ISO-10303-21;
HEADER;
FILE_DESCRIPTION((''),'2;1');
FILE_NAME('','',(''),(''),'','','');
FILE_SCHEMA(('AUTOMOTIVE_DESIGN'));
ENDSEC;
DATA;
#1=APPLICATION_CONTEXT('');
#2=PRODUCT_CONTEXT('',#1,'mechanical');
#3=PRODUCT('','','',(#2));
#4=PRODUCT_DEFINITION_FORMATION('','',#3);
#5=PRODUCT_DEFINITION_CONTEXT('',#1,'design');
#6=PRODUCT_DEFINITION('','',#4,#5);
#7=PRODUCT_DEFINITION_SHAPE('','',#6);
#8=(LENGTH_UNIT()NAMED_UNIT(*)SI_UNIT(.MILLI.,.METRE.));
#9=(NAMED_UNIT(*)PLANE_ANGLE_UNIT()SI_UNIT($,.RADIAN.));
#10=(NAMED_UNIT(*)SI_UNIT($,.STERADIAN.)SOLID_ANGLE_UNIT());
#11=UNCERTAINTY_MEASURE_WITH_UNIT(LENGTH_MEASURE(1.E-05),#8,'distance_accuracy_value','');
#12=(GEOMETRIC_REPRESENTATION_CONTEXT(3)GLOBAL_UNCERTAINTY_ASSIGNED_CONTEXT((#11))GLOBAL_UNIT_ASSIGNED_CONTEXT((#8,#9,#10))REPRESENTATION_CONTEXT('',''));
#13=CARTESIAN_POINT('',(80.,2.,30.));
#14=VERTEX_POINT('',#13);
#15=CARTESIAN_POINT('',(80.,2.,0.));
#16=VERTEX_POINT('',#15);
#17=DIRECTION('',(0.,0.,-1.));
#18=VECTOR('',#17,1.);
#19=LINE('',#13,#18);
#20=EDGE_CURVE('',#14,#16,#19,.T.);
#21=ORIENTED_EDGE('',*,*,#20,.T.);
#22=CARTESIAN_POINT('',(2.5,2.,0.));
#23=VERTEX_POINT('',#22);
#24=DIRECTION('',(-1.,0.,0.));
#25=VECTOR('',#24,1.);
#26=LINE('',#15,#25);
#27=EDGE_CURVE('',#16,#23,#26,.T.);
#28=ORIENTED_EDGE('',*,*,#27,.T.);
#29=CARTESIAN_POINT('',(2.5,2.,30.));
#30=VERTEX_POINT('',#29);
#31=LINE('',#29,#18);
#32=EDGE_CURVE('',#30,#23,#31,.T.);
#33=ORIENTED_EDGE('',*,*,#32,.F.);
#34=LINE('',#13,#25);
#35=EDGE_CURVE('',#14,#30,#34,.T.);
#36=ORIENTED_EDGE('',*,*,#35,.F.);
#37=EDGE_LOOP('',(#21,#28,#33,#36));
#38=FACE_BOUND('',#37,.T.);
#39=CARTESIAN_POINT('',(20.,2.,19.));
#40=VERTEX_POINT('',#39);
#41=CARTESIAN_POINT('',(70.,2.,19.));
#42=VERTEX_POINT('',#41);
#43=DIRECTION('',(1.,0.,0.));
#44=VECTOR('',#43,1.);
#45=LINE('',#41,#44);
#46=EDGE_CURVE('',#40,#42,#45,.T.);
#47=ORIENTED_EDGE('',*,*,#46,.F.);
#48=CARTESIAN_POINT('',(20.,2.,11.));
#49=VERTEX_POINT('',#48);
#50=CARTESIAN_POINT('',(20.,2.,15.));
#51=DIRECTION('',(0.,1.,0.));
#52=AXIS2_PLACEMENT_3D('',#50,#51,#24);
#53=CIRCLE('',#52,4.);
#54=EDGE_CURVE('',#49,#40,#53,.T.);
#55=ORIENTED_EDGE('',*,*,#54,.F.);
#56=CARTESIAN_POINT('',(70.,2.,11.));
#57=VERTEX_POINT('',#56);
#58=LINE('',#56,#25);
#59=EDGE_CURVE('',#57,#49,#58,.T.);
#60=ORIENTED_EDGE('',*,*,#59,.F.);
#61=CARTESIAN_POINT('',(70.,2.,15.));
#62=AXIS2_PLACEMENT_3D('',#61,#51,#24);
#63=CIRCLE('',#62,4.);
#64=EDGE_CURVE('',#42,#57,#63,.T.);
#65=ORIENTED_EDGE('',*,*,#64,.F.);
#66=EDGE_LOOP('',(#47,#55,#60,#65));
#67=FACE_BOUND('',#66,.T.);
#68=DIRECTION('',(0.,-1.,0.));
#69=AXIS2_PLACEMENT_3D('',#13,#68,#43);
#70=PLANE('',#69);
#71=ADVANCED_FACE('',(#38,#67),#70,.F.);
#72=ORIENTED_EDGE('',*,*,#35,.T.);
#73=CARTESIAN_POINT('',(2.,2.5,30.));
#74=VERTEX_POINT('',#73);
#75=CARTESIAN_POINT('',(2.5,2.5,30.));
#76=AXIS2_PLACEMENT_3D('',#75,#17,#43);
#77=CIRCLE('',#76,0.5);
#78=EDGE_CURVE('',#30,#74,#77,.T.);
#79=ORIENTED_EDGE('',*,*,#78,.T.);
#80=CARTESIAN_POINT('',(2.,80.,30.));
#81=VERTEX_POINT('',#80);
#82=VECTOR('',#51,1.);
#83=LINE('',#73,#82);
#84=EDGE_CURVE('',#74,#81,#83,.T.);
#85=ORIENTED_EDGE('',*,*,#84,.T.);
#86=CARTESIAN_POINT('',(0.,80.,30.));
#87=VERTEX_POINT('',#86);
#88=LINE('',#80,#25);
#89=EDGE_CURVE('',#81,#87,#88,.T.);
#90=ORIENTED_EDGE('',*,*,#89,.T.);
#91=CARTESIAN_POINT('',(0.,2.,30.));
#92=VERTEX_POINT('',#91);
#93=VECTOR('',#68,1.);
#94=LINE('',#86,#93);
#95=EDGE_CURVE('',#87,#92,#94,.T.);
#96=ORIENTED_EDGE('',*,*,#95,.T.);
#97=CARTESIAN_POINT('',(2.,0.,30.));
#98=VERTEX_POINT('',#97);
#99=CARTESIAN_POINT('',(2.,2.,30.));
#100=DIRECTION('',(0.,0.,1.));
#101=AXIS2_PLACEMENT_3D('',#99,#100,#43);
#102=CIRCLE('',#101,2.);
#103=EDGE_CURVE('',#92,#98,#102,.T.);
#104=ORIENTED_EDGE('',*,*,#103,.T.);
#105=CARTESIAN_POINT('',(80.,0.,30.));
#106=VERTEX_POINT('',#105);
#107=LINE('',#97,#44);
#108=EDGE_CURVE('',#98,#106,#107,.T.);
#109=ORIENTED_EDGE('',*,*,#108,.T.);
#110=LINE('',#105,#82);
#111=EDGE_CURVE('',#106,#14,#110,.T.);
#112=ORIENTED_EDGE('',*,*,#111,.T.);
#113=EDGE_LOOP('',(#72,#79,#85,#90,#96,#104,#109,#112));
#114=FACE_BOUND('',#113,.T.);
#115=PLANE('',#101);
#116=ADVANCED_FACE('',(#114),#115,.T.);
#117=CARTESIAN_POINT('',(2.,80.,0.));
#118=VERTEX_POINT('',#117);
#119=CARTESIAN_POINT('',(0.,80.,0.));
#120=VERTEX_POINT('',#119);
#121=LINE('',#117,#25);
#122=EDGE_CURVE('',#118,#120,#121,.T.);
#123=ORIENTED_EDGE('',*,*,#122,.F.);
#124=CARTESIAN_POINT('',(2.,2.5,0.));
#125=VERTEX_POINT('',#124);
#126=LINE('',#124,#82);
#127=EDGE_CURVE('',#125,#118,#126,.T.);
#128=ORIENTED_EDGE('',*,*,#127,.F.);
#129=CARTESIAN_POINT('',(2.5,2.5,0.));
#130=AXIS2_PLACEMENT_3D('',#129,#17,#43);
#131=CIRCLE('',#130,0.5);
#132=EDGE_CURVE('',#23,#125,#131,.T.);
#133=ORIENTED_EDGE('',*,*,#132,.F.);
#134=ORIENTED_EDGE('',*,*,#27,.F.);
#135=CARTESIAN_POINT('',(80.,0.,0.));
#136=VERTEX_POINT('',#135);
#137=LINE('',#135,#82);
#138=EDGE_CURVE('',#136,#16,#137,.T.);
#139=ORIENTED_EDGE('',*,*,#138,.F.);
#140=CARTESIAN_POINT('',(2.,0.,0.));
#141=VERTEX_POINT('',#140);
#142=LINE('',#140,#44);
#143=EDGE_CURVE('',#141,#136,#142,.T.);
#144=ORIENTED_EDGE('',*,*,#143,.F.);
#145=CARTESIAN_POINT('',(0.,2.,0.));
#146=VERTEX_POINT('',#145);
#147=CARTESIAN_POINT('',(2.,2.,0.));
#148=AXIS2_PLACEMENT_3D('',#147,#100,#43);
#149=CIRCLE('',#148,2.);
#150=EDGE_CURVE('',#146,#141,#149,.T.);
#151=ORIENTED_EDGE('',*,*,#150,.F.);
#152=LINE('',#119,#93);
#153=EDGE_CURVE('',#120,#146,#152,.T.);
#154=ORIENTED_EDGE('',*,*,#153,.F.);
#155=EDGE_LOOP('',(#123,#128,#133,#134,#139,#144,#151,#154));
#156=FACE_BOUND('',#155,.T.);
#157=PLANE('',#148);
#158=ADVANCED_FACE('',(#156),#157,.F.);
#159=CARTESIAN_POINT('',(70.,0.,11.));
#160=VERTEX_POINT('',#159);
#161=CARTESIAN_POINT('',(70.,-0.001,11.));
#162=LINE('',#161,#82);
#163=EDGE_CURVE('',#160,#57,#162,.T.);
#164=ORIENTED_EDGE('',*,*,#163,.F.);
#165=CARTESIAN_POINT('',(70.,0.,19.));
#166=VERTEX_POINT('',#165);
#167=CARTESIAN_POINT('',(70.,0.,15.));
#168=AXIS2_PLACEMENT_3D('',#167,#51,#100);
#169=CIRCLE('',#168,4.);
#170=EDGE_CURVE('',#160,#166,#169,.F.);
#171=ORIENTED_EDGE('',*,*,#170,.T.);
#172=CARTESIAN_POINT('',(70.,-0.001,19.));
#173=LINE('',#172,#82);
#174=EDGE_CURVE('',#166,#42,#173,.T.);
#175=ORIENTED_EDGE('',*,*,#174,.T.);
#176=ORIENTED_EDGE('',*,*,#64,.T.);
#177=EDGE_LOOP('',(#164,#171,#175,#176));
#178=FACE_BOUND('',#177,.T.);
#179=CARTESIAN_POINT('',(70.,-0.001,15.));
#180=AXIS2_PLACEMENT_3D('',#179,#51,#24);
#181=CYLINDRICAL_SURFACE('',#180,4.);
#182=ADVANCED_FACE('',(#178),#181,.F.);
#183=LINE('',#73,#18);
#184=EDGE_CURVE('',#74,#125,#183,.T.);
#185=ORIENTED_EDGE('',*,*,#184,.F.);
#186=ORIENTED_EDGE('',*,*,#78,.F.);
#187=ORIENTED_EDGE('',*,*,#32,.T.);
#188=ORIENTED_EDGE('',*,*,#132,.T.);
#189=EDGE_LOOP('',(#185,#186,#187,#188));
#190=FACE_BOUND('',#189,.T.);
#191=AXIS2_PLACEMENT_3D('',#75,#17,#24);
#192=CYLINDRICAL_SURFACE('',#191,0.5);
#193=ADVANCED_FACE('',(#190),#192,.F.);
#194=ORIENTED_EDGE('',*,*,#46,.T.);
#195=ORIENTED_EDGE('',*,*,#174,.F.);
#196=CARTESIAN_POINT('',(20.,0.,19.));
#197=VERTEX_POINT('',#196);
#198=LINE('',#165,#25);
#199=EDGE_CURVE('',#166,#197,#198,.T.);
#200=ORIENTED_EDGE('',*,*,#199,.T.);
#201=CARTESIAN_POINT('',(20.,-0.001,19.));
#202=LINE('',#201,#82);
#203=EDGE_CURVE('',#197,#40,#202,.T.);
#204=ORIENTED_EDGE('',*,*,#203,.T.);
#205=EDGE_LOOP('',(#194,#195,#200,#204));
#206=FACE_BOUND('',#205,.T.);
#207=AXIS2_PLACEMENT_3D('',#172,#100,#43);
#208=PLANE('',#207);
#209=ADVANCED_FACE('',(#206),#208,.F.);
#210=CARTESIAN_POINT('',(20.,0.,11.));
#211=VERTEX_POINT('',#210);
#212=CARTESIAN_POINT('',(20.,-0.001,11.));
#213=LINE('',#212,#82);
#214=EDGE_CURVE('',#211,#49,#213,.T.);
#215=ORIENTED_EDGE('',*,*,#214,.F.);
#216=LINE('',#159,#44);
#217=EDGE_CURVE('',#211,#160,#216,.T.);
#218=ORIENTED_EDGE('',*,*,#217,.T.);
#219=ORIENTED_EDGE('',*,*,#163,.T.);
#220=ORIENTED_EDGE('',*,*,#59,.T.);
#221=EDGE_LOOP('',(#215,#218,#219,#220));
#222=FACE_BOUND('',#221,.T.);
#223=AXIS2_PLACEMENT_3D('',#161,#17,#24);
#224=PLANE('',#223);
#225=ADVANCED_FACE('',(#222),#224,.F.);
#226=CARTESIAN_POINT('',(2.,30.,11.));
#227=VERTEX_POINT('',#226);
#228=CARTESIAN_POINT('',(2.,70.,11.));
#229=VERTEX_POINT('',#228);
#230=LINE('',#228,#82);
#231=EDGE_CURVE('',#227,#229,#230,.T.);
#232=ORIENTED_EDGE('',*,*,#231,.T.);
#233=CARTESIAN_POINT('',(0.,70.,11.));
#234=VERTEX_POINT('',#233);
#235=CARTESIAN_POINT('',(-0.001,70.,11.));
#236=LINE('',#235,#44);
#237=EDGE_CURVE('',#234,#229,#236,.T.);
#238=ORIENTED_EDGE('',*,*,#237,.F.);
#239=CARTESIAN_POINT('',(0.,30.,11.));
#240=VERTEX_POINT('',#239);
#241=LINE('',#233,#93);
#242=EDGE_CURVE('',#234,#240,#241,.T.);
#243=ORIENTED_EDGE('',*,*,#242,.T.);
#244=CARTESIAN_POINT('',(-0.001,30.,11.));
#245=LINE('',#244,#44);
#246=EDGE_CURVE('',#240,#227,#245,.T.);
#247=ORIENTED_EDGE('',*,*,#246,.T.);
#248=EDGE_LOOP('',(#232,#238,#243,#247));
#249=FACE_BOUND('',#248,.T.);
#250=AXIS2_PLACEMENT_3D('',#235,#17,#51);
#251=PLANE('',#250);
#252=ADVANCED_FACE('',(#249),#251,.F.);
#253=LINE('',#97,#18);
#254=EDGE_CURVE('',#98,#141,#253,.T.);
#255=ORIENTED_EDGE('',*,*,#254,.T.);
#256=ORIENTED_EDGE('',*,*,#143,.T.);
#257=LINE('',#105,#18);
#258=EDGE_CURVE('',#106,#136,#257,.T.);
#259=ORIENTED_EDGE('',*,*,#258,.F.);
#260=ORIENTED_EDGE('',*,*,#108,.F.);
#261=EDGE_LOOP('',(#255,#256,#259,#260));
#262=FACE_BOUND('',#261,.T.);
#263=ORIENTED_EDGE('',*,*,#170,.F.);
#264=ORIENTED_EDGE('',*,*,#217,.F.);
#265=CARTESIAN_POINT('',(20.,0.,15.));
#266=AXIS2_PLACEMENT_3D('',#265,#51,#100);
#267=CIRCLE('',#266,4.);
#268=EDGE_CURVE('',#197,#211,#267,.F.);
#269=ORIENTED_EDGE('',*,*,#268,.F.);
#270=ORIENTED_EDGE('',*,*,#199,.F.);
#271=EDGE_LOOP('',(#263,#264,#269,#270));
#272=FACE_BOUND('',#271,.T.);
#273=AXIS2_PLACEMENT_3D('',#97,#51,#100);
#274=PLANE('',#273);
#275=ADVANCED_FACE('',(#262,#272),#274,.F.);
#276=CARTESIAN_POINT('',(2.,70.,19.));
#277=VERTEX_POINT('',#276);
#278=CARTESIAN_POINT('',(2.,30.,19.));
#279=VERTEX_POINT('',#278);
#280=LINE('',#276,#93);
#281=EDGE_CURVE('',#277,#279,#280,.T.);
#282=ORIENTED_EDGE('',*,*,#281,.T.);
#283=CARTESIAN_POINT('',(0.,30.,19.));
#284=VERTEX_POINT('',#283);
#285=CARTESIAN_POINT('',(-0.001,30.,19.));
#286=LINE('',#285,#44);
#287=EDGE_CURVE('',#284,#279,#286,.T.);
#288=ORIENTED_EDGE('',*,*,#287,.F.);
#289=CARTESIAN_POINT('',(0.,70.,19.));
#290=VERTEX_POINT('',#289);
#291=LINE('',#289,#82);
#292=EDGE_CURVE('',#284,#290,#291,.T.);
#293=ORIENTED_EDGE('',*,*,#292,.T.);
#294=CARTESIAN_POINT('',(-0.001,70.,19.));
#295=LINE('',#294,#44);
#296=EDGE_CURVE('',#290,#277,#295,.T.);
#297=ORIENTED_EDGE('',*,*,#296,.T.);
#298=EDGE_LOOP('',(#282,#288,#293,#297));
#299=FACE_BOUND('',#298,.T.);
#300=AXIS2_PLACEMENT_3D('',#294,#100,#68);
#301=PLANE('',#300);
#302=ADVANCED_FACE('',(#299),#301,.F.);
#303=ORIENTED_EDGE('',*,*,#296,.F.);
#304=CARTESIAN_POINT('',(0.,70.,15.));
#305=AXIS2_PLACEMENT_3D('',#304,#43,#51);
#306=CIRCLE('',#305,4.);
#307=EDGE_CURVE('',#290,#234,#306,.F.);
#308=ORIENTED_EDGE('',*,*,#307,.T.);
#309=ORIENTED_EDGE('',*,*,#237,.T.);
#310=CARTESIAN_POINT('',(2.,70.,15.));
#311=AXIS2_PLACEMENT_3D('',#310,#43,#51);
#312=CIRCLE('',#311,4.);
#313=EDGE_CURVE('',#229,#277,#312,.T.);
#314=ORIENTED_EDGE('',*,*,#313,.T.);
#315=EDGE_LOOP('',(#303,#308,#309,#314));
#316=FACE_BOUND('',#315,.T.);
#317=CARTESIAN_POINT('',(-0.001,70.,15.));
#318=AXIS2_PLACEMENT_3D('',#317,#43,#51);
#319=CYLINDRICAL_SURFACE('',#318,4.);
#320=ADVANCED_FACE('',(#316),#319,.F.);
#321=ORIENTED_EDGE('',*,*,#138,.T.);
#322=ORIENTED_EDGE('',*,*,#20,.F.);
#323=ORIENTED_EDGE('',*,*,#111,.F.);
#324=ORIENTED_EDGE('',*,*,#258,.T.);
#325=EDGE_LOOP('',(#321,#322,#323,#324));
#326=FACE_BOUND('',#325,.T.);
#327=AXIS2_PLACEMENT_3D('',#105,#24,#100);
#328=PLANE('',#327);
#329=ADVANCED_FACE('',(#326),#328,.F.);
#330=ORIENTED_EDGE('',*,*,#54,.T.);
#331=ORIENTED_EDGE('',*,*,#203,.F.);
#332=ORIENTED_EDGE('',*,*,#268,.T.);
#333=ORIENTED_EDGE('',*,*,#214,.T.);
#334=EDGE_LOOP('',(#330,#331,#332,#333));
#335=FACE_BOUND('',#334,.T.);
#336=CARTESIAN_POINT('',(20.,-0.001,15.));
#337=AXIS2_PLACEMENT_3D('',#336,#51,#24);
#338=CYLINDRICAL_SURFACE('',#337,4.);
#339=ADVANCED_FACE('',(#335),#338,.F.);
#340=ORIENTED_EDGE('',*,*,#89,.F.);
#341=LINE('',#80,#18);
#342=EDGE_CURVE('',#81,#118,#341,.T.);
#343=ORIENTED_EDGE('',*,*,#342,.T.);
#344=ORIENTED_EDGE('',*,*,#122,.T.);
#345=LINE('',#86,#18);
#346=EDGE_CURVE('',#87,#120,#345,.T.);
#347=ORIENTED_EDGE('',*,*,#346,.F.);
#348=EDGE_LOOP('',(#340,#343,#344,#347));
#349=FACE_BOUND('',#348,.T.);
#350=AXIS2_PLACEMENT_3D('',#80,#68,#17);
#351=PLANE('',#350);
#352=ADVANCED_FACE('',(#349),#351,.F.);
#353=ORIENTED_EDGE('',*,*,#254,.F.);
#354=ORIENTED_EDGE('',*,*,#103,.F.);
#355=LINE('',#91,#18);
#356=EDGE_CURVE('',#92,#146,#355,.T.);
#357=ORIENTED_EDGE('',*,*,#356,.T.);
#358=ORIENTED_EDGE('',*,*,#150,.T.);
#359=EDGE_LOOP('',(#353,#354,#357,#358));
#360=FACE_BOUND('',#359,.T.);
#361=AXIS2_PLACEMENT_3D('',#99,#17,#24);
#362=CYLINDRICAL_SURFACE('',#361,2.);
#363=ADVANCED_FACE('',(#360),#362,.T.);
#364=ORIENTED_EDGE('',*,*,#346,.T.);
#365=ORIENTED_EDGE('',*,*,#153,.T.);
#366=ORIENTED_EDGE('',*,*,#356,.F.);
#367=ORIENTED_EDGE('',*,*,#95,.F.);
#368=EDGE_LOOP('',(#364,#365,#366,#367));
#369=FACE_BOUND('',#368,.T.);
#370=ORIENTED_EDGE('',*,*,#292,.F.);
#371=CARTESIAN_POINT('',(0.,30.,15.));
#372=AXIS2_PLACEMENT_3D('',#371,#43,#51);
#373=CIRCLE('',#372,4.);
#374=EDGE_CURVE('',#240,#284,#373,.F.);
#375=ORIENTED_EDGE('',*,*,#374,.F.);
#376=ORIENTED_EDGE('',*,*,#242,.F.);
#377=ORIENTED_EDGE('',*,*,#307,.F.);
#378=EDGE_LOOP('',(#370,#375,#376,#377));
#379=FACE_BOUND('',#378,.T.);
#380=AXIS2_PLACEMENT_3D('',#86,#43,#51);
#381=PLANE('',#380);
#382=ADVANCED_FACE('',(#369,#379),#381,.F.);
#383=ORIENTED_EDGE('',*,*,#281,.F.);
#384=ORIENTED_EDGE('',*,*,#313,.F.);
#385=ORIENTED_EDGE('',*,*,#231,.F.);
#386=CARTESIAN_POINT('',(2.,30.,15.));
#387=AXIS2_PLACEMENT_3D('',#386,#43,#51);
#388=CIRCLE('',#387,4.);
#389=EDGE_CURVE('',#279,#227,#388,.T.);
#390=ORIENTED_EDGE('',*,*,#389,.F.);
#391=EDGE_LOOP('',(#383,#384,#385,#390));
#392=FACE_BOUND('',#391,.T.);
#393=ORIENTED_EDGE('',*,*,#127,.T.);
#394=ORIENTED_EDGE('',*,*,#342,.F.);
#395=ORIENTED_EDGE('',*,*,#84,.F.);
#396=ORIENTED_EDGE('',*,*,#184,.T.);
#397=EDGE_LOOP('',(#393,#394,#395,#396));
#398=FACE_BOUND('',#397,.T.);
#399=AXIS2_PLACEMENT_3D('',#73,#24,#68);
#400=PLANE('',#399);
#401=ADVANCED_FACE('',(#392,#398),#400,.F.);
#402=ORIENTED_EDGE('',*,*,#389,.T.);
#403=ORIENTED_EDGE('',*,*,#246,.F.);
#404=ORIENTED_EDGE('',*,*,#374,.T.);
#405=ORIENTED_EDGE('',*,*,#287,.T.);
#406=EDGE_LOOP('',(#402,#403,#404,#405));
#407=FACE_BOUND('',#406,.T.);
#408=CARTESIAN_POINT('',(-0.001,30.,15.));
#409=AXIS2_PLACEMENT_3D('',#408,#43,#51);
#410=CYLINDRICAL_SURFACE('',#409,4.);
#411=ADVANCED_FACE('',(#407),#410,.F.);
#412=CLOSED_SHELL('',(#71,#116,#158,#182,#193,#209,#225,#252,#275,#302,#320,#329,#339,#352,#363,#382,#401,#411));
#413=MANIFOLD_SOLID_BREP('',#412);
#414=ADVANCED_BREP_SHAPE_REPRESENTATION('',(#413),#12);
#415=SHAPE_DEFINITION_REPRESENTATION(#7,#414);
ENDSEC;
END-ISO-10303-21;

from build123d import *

# Parameters (mm, degrees)
BOSS_EXTRUDE1_DEPTH = 30
CUT_EXTRUDE1_REACH  = 117.689
CUT_EXTRUDE2_REACH  = 117.689


with BuildPart() as part:
    # Sketch1 → Boss-Extrude1 (new body)
    with BuildSketch(Plane.XY):
        with BuildLine():
            Line((0, 80), (0, 2))
            ThreePointArc((0, 2), (0.585786438, 0.585786438), (2, 0))
            Line((2, 0), (80, 0))
            Line((80, 0), (80, 2))
            Line((80, 2), (2.5, 2))
            ThreePointArc((2.5, 2), (2.146446609, 2.146446609), (2, 2.5))
            Line((2, 2.5), (2, 80))
            Line((2, 80), (0, 80))
        make_face()
    extrude(amount=BOSS_EXTRUDE1_DEPTH)

    # Sketch2 → Cut-Extrude1 (cut, up to next)
    with BuildSketch(Plane(origin=(0, 2, 0), x_dir=(1, 0, 0), z_dir=(0, 1, 0)), mode=Mode.PRIVATE) as cut_extrude1_sk1:
        with BuildLine():
            Line((70, -19), (20, -19))
            ThreePointArc((20, -19), (16, -15), (20, -11))
            Line((20, -11), (70, -11))
            ThreePointArc((70, -11), (74, -15), (70, -19))
        make_face()
    cut_extrude1_tool1 = extrude(cut_extrude1_sk1.sketch, amount=-CUT_EXTRUDE1_REACH, mode=Mode.PRIVATE) & part.part
    add(cut_extrude1_tool1.solids().sort_by_distance((45, 2, 15))[0], mode=Mode.SUBTRACT)

    # Sketch3 → Cut-Extrude2 (cut, up to next)
    with BuildSketch(Plane(origin=(2, 0, 0), x_dir=(0, 0, -1), z_dir=(1, 0, 0)), mode=Mode.PRIVATE) as cut_extrude2_sk1:
        with BuildLine():
            Line((-11, 70), (-11, 30))
            ThreePointArc((-11, 30), (-15, 26), (-19, 30))
            Line((-19, 30), (-19, 70))
            ThreePointArc((-19, 70), (-15, 74), (-11, 70))
        make_face()
    cut_extrude2_tool1 = extrude(cut_extrude2_sk1.sketch, amount=-CUT_EXTRUDE2_REACH, mode=Mode.PRIVATE) & part.part
    add(cut_extrude2_tool1.solids().sort_by_distance((2, 50, 15))[0], mode=Mode.SUBTRACT)


solid = part.part
